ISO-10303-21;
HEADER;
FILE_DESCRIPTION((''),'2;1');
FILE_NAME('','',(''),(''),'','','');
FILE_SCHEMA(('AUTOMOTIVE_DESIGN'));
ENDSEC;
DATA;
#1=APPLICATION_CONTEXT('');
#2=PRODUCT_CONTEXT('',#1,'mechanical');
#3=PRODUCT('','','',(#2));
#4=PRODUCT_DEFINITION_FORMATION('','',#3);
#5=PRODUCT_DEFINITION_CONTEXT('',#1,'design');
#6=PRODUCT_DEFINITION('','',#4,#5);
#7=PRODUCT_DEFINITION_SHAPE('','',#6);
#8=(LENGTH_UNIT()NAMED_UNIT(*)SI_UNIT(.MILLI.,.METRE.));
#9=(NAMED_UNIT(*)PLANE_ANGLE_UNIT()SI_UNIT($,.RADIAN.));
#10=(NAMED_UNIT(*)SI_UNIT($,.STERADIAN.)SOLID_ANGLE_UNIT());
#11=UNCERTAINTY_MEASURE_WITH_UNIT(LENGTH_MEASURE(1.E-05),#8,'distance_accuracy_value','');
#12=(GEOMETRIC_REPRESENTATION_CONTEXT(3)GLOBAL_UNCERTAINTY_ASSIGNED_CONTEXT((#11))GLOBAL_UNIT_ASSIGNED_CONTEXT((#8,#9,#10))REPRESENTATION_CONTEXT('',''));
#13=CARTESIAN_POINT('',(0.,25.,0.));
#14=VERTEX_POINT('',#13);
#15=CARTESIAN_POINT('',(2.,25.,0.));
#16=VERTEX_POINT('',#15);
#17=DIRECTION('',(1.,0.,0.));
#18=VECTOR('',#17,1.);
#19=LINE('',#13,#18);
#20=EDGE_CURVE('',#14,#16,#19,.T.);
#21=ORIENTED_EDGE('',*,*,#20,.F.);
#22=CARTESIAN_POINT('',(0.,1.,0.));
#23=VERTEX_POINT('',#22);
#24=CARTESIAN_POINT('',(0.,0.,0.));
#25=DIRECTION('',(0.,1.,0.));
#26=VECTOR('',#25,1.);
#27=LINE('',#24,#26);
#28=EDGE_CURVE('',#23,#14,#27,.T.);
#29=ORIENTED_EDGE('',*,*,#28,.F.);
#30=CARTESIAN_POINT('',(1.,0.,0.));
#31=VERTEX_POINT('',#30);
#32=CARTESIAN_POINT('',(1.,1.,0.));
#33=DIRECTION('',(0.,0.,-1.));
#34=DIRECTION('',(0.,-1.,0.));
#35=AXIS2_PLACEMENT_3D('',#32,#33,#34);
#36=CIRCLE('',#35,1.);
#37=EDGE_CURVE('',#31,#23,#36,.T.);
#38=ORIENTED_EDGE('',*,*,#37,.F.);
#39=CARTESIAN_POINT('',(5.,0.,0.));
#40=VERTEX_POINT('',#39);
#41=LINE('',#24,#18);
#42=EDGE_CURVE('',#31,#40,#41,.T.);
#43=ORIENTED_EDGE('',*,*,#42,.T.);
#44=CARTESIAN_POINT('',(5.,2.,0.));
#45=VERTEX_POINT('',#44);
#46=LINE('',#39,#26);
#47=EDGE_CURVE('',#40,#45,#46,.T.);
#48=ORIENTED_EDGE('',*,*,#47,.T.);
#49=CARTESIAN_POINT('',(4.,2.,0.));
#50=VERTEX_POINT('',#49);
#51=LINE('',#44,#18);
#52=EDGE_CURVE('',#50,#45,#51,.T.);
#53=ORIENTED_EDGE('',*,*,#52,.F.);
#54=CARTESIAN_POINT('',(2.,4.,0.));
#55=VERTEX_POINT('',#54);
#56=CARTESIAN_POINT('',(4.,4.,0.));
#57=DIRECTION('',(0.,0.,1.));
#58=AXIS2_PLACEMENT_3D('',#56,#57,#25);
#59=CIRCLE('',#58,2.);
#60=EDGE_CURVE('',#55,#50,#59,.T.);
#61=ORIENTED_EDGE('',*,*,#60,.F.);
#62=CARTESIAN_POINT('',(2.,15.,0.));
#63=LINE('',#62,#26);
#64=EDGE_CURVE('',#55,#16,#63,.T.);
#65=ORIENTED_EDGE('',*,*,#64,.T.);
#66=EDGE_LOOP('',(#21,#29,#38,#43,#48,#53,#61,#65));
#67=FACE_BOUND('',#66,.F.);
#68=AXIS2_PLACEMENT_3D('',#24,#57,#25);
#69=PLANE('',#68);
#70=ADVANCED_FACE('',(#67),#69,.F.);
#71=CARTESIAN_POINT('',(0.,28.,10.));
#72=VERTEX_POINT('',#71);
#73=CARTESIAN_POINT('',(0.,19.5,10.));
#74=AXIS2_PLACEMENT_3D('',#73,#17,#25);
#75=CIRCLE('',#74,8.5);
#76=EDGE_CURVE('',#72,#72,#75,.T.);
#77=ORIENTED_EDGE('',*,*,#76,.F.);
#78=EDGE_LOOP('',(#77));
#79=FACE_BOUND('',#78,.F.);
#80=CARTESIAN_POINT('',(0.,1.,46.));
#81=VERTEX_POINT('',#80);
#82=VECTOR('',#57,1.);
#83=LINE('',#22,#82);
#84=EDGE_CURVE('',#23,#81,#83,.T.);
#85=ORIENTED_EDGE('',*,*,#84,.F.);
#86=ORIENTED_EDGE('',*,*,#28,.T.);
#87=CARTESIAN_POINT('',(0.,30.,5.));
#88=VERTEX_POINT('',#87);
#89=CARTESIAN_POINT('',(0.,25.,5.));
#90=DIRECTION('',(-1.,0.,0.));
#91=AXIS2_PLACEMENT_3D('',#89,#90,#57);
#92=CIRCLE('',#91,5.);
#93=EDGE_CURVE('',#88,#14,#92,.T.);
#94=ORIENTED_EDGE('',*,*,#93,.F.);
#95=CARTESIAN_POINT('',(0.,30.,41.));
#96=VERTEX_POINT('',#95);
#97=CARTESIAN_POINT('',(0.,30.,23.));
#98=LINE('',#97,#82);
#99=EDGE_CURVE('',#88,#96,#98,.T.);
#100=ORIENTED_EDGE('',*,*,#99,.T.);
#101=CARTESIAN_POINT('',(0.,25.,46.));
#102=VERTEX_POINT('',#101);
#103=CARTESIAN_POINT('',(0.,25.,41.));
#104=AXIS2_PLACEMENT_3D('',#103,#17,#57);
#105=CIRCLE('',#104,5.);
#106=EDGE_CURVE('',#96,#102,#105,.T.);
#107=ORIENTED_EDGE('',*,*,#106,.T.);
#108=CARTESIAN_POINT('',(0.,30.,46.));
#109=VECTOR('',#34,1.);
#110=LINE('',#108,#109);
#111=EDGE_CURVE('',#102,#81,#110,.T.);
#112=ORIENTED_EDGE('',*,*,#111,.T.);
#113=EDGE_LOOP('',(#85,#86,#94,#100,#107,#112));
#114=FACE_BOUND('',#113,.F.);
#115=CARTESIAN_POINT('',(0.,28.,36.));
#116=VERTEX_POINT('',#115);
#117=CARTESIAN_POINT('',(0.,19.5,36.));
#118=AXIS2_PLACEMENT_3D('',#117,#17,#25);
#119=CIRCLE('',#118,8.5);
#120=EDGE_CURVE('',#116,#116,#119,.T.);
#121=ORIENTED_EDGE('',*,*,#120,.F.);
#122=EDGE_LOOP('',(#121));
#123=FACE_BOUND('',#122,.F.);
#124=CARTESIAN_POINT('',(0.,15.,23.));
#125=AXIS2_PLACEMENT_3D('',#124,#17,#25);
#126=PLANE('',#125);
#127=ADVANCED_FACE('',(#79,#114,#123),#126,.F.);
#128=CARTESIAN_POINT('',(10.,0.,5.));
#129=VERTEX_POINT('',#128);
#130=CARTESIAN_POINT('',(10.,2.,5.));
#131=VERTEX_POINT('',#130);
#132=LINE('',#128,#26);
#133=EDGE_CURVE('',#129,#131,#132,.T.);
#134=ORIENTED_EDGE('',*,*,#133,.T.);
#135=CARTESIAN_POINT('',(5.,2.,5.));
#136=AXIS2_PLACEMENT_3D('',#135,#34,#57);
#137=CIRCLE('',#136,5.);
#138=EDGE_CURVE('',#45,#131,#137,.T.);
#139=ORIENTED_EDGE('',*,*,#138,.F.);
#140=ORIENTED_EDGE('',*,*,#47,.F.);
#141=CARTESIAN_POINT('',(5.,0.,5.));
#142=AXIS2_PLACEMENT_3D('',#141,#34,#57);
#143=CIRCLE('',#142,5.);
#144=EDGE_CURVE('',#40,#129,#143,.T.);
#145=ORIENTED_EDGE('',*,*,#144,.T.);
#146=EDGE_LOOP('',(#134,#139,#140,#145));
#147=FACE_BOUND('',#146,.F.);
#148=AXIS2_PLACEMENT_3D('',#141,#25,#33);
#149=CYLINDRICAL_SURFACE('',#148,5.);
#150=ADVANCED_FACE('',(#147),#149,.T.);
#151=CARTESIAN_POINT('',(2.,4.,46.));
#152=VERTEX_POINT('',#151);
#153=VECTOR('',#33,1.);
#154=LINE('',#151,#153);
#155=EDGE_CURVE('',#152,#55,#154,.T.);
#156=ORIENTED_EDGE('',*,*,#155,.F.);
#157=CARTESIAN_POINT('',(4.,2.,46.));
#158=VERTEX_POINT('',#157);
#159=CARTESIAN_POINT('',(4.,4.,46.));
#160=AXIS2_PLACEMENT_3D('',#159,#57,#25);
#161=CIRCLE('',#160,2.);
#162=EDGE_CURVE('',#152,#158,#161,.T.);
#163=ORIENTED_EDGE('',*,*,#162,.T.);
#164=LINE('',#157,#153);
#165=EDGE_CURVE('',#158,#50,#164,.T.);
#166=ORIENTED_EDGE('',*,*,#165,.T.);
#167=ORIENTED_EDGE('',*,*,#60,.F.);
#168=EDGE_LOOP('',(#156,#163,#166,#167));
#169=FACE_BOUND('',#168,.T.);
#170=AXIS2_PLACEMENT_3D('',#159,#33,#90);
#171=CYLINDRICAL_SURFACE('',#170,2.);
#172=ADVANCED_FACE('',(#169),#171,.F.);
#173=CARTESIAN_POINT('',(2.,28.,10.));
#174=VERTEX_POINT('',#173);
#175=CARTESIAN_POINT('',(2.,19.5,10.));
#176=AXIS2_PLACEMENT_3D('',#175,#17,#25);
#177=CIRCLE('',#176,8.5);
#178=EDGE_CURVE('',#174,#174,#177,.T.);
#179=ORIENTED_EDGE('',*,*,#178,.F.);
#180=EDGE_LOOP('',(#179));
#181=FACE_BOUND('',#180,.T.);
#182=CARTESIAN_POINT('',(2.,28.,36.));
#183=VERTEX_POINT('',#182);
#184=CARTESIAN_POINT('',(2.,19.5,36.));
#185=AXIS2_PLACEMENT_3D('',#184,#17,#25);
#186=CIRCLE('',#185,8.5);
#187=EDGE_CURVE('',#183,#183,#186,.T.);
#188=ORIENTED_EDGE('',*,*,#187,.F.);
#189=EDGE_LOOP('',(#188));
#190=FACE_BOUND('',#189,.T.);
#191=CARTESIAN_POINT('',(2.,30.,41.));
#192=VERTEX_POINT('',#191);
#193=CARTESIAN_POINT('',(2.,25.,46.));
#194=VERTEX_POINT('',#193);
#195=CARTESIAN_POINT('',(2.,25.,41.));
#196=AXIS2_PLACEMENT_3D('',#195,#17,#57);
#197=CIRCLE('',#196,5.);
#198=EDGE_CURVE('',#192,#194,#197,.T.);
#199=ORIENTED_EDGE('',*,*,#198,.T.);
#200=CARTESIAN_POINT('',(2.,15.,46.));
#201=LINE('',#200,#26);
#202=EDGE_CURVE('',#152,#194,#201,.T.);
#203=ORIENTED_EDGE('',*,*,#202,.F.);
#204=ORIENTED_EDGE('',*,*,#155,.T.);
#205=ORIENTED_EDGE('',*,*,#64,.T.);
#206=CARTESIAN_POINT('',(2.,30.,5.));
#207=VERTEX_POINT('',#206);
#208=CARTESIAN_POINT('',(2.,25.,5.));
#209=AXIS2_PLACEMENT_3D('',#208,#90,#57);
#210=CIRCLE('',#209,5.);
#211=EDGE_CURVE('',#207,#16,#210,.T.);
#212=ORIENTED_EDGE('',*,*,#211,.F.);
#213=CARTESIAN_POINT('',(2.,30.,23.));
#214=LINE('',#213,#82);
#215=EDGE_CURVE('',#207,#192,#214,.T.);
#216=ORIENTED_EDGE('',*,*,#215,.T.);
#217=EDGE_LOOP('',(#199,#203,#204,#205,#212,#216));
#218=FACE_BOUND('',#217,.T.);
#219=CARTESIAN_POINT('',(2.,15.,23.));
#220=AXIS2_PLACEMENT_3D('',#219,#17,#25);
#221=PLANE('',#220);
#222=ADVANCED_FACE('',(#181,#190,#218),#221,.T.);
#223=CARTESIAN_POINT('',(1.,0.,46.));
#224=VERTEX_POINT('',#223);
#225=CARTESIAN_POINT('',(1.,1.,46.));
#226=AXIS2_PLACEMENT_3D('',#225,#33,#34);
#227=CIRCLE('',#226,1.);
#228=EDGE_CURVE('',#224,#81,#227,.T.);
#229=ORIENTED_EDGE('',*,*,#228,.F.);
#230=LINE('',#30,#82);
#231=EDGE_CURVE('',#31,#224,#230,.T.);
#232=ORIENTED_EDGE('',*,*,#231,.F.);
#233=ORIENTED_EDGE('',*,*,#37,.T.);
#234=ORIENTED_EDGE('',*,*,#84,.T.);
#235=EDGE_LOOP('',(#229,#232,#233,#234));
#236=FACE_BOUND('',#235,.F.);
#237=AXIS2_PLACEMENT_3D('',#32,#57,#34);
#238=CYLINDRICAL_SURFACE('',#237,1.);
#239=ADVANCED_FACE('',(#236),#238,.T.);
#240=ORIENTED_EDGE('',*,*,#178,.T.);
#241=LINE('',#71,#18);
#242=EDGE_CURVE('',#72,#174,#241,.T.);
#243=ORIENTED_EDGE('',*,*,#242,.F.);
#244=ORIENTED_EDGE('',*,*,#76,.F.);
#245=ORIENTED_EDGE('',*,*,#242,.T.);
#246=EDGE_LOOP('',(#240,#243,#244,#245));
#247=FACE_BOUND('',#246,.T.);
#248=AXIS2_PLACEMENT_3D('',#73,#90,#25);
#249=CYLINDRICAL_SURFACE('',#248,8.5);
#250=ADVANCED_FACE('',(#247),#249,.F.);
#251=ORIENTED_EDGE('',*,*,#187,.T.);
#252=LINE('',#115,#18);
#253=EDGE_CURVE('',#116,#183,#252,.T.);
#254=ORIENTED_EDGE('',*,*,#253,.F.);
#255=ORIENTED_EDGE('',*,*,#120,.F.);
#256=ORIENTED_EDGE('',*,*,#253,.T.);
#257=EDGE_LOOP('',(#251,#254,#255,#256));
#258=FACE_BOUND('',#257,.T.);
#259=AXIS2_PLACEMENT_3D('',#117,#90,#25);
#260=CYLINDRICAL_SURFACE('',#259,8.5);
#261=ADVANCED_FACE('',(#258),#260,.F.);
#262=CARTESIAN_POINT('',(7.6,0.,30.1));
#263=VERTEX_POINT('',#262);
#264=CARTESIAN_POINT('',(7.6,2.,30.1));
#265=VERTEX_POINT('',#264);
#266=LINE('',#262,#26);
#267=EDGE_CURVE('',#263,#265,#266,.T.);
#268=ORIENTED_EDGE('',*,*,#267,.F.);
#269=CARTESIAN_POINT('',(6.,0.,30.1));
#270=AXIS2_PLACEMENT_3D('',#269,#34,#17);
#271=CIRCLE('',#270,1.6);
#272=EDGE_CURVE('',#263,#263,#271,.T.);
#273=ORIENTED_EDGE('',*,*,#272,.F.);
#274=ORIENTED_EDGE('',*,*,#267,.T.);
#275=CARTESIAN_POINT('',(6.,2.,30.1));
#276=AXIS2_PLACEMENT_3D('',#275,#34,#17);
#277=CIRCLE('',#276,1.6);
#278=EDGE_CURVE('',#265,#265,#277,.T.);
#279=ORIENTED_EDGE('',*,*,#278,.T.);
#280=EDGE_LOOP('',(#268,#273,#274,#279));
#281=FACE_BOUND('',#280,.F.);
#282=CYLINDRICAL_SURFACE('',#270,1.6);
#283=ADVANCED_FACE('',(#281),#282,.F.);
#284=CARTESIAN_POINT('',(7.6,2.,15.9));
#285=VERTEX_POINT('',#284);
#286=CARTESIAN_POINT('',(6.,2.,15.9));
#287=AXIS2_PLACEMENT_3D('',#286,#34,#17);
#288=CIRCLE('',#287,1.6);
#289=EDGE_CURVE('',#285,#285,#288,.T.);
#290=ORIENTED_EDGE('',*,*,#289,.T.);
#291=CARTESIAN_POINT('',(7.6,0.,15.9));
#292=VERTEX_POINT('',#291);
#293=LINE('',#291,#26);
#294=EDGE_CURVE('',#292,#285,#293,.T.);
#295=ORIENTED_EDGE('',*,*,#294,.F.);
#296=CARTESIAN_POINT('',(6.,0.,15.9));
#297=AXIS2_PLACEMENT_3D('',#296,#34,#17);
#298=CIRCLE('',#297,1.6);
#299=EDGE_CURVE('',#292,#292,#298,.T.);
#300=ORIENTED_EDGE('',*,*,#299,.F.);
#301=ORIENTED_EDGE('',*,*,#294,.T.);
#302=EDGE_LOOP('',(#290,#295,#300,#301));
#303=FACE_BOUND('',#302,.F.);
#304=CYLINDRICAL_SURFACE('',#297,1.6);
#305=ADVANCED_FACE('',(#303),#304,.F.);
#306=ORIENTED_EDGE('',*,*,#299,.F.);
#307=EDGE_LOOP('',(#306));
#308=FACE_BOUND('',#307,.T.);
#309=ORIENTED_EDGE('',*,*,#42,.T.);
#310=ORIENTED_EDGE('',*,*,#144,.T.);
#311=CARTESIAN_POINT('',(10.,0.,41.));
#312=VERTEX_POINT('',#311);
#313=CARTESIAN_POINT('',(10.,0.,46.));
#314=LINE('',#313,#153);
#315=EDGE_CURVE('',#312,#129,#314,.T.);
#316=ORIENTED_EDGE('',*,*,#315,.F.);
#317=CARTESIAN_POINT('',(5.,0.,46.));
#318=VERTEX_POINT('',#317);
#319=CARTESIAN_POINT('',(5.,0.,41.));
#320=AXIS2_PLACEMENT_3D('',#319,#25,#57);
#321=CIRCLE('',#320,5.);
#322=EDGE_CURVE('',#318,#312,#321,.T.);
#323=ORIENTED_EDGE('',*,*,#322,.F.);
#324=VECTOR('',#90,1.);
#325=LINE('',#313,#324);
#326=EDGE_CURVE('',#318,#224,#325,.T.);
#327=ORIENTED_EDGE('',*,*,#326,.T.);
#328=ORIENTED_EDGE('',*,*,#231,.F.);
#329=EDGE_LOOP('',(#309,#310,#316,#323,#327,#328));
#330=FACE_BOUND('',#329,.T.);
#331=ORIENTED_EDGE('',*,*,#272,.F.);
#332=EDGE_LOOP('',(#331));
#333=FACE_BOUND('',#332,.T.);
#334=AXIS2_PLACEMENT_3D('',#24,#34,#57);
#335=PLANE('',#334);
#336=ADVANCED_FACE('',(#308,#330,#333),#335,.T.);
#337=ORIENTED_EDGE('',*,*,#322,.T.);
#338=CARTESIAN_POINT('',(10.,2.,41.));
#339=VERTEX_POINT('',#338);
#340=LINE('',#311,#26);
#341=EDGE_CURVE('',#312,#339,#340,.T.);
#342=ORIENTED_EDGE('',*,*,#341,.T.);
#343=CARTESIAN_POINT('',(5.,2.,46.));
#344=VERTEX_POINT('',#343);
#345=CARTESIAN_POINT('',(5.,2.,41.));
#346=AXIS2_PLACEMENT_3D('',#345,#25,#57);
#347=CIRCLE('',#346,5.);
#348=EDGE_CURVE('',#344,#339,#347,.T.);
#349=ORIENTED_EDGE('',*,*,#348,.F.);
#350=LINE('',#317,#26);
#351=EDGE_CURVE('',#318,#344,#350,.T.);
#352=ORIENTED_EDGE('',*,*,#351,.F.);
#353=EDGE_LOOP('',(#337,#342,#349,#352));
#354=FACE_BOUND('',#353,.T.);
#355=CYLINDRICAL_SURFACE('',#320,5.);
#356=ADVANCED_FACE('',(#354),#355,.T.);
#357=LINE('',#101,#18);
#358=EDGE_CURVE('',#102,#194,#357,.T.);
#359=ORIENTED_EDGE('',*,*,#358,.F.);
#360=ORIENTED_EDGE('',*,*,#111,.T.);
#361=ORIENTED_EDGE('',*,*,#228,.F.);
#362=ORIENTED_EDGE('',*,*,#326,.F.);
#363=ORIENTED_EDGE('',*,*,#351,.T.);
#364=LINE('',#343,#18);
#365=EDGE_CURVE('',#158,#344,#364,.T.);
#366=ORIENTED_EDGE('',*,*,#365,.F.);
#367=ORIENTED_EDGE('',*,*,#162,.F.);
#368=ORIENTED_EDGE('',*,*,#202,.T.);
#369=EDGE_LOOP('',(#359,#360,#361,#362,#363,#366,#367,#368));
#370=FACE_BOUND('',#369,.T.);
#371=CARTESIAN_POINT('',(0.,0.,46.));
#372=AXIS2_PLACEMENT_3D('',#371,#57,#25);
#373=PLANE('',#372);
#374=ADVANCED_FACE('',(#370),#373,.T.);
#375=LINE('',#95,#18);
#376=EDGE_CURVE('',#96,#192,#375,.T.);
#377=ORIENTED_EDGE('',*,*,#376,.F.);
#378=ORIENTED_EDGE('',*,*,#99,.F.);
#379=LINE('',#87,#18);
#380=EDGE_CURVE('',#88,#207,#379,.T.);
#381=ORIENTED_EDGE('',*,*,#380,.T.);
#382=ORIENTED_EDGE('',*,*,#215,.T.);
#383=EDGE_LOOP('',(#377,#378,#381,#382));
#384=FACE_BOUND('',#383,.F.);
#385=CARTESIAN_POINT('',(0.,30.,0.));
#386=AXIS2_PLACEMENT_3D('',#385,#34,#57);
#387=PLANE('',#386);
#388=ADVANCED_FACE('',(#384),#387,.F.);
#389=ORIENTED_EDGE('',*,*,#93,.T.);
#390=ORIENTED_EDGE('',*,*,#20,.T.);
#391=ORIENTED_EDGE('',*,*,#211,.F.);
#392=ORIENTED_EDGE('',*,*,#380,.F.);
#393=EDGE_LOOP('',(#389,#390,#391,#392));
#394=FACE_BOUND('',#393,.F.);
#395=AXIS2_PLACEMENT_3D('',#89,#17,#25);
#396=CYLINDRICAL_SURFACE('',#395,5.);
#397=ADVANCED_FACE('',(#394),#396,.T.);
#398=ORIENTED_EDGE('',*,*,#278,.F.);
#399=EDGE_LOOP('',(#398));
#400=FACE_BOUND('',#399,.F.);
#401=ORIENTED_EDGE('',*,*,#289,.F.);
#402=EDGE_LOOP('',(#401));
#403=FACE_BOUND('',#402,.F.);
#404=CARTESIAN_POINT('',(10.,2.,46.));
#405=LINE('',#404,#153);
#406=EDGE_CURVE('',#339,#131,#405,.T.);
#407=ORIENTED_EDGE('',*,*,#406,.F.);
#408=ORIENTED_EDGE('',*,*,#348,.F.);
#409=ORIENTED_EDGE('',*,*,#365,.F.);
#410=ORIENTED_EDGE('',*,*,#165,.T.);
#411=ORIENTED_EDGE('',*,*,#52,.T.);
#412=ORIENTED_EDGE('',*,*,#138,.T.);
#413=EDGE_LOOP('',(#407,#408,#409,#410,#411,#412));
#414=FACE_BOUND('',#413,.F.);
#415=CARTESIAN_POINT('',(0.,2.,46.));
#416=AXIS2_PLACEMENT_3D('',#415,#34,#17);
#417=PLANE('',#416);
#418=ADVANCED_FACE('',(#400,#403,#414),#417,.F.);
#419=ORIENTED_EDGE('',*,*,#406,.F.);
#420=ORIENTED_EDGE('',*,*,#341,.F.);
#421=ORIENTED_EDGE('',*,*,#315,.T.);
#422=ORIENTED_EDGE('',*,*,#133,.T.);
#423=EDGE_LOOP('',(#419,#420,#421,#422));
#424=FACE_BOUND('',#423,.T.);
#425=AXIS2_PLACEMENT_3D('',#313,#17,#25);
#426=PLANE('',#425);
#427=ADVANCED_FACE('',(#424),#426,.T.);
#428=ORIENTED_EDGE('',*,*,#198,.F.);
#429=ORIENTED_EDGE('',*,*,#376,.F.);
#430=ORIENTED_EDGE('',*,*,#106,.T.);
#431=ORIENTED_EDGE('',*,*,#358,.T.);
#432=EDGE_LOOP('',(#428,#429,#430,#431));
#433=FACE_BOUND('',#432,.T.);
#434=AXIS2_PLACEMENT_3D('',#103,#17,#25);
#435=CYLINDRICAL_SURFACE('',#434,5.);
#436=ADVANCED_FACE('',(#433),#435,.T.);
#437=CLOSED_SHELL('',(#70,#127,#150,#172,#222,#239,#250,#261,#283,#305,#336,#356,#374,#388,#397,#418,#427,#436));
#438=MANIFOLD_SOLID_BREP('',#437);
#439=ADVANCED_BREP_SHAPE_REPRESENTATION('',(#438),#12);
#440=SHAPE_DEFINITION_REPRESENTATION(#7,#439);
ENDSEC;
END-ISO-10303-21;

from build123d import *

# Parameters (mm, degrees)
F0_W     = 30
F0_H     = 46
F0_R     = 8.5
F1_DEPTH = 2
F2_W     = 10
F2_H     = 2
F3_DEPTH = 46
F4_R     = 1.6
F5_DEPTH = 25
F6_R     = 1
F7_R     = 2
F8_R     = 5
F9_R     = 5


with BuildPart() as f1:
    # F0 (on Right) → F1 (new body)
    with BuildSketch(Plane.YZ):
        with Locations((15, 23)):
            Rectangle(F0_W, F0_H)
        with Locations((19.5, 10)):
            Circle(F0_R, mode=Mode.SUBTRACT)
        with Locations((19.5, 36)):
            Circle(F0_R, mode=Mode.SUBTRACT)
    extrude(amount=F1_DEPTH)

    # F2 (on face) → F3 (join)
    with BuildSketch(Plane.XY.offset(46)):
        with Locations((5, 1)):
            Rectangle(F2_W, F2_H)
    extrude(amount=-F3_DEPTH)

    # F4 (on face) → F5 (cut)
    with BuildSketch(Plane.XZ):
        with Locations((6, 30.1)):
            Circle(F4_R)
        with Locations((6, 15.9)):
            Circle(F4_R)
    extrude(amount=-F5_DEPTH, mode=Mode.SUBTRACT)

    # F6
    f6_edges = [f1.edges().sort_by_distance(p)[0] for p in [
        (0, 0, 23),
    ]]
    fillet(f6_edges, radius=F6_R)

    # F7
    f7_edges = [f1.edges().sort_by_distance(p)[0] for p in [
        (2, 2, 23),
    ]]
    fillet(f7_edges, radius=F7_R)

    # F8
    f8_edges = [f1.edges().sort_by_distance(p)[0] for p in [
        (1, 30, 46),
    ]]
    fillet(f8_edges, radius=F8_R)

    # F9
    f9_edges = [f1.edges().sort_by_distance(p)[0] for p in [
        (1, 30, 0),
        (10, 1, 46),
        (10, 1, 0),
    ]]
    fillet(f9_edges, radius=F9_R)


solid = f1.part
